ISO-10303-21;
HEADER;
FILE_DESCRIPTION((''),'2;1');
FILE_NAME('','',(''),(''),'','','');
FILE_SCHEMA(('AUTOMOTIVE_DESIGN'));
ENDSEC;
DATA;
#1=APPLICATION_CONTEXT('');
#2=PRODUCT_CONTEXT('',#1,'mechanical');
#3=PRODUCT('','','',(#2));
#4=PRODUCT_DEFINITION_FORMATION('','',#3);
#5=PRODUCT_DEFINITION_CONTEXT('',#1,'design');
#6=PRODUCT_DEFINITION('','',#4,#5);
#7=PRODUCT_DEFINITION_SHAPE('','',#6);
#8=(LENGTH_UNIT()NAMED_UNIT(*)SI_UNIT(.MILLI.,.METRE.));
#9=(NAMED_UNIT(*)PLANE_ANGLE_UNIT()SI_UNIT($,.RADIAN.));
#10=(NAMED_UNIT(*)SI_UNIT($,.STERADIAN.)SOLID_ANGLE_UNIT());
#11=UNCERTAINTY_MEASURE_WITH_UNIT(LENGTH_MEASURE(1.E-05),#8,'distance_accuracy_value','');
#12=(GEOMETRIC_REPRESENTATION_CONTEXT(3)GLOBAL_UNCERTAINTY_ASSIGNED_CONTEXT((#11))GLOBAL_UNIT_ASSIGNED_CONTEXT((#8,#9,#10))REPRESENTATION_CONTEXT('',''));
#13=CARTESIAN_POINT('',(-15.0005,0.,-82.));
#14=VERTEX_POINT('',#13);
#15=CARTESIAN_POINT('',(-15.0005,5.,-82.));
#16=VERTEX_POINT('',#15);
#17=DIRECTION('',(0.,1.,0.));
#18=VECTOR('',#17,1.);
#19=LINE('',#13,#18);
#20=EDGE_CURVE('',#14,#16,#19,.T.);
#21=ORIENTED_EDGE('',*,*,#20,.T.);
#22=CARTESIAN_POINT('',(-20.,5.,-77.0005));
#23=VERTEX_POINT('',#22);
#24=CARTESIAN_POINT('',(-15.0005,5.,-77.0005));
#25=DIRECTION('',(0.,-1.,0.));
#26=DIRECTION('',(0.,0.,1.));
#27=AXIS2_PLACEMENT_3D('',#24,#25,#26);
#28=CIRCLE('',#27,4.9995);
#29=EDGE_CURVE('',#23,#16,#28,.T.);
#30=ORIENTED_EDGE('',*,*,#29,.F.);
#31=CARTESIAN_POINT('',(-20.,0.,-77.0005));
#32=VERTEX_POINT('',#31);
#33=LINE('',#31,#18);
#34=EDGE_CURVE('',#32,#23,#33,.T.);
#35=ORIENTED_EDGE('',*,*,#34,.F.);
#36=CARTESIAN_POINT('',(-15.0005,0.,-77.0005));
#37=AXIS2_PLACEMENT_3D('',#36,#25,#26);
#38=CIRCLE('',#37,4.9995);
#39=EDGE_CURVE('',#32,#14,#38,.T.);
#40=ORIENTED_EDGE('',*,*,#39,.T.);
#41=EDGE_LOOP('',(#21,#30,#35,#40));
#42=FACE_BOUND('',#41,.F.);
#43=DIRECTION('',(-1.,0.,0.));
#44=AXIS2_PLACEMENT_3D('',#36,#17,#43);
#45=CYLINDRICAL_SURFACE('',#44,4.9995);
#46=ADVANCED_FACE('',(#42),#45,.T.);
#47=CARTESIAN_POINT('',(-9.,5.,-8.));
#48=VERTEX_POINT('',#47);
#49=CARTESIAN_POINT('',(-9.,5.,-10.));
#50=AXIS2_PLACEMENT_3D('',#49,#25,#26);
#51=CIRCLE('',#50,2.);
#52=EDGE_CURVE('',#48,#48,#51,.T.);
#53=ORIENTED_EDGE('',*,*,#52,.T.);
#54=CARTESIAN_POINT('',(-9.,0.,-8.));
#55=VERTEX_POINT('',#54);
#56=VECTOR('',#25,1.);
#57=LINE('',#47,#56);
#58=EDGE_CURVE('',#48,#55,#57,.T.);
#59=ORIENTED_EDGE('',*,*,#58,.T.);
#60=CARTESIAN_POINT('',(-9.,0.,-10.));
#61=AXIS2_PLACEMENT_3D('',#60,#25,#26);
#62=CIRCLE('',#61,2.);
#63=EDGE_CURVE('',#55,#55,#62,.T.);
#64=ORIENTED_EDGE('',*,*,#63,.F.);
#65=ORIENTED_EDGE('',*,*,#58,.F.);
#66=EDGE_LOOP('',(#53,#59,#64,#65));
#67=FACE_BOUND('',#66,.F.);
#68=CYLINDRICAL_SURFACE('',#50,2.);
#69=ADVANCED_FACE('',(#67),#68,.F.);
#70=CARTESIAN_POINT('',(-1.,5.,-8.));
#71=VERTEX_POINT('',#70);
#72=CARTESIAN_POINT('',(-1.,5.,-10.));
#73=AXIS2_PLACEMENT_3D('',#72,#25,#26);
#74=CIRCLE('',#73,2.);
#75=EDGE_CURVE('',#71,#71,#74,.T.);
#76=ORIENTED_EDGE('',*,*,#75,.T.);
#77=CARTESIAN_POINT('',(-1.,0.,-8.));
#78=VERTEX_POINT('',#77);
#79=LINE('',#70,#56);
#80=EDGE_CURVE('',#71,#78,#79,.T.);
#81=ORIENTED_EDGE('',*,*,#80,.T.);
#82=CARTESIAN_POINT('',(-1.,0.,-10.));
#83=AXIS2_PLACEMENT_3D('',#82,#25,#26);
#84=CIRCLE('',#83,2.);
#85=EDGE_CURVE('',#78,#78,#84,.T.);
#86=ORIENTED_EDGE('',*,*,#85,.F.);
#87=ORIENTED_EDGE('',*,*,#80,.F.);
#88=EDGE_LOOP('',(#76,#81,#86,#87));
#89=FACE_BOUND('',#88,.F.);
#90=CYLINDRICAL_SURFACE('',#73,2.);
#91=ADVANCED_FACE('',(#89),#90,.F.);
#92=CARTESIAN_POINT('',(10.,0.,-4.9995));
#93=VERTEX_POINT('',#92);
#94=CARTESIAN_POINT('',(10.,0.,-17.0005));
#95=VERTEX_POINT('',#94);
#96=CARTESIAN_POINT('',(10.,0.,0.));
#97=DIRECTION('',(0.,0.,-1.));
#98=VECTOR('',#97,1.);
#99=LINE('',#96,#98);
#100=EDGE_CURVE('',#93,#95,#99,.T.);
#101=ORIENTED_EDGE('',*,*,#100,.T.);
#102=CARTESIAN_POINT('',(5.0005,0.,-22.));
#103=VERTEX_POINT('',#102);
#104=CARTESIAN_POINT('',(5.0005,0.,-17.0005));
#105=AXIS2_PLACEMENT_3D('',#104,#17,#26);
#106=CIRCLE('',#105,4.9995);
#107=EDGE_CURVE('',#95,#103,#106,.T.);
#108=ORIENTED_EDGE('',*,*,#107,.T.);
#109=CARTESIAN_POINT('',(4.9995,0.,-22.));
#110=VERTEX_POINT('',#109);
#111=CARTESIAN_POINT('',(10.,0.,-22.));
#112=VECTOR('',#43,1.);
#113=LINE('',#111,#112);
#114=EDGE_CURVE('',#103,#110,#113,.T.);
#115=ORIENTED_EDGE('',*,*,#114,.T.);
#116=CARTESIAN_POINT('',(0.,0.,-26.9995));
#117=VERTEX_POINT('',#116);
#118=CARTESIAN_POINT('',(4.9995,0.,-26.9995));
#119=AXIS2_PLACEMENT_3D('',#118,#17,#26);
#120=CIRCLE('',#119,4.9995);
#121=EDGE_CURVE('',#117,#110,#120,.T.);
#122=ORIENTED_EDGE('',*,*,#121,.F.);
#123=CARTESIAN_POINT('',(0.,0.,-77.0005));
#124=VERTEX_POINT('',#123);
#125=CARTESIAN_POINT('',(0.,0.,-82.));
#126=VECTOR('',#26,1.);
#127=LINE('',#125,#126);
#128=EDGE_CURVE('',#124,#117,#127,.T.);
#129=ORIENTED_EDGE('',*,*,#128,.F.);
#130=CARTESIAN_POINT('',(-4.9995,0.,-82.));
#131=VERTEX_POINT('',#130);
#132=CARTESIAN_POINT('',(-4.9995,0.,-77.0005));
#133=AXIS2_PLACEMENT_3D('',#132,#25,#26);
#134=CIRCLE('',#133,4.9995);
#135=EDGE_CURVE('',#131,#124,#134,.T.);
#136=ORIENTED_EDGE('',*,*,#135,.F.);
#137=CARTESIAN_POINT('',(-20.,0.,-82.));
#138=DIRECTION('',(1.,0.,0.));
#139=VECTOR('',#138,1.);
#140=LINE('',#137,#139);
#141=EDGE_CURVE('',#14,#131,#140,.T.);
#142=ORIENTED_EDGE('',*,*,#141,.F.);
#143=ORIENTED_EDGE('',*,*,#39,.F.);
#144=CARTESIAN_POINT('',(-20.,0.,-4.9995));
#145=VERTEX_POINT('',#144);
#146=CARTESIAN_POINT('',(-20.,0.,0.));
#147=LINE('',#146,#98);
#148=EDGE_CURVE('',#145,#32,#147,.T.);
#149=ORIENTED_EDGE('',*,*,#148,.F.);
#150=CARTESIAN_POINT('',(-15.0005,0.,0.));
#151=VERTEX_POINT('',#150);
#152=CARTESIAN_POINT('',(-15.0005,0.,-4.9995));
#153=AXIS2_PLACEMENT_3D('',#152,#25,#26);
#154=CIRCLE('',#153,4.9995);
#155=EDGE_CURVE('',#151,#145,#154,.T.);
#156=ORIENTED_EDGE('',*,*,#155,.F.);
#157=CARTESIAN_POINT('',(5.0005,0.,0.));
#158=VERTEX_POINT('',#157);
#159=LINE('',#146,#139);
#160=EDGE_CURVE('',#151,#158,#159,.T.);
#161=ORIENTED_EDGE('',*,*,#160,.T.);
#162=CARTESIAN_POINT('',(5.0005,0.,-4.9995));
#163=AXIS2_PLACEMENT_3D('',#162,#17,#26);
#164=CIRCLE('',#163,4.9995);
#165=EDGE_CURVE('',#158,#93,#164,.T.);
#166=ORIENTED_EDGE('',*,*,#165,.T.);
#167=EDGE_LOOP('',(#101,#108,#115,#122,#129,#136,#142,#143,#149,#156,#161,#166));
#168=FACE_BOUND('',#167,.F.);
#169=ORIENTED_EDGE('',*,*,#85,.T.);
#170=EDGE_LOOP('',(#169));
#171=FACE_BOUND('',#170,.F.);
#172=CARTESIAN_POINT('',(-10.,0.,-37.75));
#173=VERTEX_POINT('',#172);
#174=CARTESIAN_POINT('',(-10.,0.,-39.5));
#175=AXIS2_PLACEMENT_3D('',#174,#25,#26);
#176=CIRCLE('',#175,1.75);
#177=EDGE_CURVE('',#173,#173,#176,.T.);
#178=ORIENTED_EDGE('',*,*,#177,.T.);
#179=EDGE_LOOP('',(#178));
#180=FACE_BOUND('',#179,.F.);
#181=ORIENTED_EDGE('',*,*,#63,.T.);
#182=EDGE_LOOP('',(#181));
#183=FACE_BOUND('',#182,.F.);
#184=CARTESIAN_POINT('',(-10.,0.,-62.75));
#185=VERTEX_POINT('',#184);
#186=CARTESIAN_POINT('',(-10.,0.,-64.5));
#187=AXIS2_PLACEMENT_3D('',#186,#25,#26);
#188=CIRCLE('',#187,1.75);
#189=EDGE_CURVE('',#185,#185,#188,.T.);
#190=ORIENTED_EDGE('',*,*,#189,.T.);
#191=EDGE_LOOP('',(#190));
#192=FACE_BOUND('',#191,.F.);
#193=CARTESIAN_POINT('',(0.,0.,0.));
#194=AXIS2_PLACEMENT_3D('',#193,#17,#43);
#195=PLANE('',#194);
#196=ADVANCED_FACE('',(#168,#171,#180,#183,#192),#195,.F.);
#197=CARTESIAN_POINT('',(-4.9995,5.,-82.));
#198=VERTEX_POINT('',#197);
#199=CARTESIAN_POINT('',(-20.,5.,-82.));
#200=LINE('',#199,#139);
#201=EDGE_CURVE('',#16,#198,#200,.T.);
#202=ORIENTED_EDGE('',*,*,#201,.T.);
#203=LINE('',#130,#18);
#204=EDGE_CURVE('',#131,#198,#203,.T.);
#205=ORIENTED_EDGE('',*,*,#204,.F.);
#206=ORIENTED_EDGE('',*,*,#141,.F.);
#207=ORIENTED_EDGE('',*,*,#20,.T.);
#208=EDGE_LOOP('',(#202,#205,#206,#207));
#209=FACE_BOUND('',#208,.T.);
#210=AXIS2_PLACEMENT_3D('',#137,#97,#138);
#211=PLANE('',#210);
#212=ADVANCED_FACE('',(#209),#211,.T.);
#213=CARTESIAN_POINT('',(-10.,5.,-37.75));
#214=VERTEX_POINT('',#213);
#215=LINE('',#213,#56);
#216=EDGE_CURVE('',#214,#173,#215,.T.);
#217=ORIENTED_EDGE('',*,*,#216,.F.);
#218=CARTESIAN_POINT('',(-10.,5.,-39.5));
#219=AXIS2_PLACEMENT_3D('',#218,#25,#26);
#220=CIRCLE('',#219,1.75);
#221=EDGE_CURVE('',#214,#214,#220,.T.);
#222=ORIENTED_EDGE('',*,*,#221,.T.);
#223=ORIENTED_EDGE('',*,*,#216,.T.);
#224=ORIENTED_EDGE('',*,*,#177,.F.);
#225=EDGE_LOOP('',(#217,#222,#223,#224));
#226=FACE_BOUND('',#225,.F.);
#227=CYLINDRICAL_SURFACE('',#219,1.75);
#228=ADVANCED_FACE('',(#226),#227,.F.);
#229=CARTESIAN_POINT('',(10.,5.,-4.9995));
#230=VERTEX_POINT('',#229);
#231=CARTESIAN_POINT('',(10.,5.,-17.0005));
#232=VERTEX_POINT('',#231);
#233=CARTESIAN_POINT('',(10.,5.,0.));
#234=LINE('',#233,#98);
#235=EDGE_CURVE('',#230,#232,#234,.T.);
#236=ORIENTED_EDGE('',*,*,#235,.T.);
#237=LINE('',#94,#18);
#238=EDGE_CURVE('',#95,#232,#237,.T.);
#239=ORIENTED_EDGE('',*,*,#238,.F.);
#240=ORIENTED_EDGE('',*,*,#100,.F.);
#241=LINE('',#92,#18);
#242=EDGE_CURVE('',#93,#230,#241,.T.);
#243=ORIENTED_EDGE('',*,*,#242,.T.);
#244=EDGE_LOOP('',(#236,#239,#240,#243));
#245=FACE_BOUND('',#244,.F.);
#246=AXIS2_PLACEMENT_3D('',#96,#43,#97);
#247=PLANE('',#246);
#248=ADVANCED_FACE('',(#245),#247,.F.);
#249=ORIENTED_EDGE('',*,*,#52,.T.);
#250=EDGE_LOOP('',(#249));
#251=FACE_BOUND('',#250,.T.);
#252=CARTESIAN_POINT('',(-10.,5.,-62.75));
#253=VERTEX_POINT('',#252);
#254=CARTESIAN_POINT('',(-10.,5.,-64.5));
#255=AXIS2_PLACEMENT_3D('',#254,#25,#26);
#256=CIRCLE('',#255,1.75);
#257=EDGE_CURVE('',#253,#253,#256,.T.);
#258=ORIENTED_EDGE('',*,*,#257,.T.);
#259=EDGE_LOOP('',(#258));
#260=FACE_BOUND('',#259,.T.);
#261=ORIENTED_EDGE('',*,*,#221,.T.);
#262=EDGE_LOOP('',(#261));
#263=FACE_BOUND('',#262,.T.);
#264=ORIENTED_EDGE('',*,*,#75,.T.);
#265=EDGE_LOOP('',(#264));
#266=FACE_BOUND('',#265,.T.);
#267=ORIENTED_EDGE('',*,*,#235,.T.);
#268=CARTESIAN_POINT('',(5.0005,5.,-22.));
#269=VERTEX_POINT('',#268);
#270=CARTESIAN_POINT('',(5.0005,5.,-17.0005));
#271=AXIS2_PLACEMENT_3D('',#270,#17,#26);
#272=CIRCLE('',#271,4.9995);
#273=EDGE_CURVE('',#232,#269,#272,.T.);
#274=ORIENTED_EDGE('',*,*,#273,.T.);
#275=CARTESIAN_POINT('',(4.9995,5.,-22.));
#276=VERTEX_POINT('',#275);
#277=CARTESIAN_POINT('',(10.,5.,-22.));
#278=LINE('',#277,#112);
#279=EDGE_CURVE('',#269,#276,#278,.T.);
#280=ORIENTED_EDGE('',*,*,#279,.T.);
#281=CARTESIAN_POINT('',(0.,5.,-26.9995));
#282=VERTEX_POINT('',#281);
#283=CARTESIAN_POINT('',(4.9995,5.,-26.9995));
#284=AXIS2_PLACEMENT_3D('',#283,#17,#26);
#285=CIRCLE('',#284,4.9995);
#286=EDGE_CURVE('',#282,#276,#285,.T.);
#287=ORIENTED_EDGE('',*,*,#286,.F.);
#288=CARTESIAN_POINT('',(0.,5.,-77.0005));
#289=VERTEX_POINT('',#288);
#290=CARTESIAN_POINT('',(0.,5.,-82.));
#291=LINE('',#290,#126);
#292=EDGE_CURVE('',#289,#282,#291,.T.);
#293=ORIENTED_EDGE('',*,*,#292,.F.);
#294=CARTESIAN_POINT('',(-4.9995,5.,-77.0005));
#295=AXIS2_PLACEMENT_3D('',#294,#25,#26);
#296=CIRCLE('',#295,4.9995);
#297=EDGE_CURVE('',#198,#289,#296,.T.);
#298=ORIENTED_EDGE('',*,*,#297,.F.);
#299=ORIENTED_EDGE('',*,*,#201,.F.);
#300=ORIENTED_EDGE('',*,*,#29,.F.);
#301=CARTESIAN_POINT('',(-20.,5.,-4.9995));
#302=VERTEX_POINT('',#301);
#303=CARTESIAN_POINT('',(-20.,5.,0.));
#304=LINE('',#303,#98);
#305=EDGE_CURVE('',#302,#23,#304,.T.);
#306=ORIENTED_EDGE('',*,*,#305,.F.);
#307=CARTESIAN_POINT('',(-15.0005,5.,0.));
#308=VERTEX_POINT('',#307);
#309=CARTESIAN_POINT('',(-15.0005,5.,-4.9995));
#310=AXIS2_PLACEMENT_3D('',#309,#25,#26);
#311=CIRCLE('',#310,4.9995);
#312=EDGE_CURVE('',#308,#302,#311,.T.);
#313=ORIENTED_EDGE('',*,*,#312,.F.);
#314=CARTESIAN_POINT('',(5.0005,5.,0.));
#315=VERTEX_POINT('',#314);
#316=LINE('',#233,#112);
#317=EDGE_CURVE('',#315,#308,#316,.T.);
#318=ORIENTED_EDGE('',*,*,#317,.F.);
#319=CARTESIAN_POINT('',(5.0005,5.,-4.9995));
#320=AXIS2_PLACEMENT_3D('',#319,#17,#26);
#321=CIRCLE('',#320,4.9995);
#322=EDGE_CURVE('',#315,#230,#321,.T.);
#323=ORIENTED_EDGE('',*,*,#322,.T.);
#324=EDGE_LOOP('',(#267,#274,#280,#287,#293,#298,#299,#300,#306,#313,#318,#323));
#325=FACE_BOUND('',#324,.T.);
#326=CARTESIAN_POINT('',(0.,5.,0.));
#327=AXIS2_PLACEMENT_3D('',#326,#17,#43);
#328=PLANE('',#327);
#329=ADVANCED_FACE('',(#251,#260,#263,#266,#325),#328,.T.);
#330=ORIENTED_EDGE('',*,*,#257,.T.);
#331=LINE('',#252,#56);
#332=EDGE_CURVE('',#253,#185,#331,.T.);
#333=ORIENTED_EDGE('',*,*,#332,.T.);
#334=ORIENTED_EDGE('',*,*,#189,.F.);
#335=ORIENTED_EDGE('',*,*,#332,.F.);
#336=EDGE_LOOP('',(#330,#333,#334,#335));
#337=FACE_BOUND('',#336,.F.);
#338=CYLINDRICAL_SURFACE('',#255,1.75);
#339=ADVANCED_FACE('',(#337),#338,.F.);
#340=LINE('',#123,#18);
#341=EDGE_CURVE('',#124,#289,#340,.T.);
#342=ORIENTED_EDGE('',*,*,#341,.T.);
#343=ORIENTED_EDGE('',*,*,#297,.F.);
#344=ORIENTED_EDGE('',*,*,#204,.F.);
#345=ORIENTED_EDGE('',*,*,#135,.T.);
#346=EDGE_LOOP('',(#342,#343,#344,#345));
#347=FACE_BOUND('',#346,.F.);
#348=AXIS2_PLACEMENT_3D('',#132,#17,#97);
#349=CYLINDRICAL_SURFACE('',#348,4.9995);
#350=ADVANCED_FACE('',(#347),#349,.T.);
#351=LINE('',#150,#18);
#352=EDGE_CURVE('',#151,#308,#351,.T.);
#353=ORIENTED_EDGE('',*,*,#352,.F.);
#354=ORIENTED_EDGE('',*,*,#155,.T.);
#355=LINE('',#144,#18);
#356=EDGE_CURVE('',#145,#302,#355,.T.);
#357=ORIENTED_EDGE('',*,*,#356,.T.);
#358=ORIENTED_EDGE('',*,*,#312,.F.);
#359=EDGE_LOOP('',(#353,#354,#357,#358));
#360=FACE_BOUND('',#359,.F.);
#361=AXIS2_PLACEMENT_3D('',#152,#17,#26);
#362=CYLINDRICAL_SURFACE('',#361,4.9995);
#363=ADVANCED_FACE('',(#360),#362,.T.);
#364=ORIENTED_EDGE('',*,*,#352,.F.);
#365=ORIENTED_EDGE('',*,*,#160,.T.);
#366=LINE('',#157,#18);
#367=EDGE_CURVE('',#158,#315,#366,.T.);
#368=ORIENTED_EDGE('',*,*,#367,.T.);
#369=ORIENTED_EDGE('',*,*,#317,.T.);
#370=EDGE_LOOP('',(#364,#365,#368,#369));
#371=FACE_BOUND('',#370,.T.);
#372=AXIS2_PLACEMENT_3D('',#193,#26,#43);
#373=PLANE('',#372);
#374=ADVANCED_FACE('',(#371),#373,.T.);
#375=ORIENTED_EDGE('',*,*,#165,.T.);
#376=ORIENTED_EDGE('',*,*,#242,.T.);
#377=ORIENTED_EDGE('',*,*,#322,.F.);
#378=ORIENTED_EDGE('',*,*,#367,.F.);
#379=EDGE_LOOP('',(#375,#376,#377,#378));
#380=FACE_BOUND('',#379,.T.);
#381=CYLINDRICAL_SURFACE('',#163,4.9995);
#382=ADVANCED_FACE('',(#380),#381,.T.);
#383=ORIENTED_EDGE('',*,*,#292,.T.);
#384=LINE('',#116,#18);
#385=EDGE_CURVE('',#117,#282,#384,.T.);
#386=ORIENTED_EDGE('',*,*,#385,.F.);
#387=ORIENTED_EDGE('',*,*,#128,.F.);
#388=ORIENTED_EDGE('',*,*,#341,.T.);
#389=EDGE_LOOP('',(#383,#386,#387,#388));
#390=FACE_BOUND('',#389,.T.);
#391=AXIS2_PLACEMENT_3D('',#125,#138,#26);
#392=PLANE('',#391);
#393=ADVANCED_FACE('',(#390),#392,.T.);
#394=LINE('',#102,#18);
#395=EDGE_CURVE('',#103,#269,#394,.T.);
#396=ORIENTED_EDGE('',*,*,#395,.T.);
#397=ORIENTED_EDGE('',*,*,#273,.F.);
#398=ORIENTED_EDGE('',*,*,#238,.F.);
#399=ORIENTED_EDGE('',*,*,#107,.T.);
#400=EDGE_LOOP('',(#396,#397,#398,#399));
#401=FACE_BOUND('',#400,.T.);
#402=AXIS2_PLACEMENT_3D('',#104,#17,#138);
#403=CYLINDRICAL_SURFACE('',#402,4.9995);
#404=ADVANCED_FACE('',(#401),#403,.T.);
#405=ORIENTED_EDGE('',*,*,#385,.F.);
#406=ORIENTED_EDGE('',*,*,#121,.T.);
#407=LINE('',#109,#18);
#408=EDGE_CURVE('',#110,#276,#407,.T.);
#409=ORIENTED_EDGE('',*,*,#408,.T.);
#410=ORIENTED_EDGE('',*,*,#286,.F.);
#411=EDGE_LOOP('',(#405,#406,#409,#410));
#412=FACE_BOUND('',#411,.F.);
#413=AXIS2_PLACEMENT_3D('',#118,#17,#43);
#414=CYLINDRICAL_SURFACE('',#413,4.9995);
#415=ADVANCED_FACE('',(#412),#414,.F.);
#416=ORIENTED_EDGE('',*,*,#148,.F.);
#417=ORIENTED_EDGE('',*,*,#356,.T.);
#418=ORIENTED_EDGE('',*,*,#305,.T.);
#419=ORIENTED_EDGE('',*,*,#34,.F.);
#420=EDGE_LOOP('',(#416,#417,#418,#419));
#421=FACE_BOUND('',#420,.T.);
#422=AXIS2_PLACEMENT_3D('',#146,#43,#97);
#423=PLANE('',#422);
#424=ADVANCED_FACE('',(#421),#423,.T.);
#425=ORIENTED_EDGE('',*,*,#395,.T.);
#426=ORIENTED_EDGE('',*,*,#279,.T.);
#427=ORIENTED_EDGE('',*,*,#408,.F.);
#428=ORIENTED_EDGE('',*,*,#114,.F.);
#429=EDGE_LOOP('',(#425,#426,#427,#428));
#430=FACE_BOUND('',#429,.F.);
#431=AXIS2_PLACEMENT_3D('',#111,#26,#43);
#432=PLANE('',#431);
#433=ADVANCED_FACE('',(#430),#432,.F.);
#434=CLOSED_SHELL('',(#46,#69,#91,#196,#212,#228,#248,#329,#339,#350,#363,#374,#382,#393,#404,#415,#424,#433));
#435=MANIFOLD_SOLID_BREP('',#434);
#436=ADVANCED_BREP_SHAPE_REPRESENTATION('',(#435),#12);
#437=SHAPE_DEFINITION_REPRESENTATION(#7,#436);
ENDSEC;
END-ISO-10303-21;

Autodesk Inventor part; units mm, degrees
ref_plane "YZ Plane" through (0, 0, 0) normal (1, 0, 0) x (0, 1, 0)
ref_plane "XZ Plane" through (0, 0, 0) normal (0, 1, 0) x (-1, 0, 0)
ref_plane "XY Plane" through (0, 0, 0) normal (0, 0, 1) x (1, 0, 0)
sketch "Sketch1" plane through (0, 0, 0) normal (0, 1, 0) x (-1, 0, 0)
  line L0 (0, 0) -> (20, 0)
  line L1 (20, 0) -> (20, -82)
  line L2 (20, -82) -> (0, -82)
  line L3 (0, -82) -> (0, 0)
  line L4 (0, 0) -> (-10, 0)
  line L5 (-10, 0) -> (-10, -22)
  line L6 (-10, -22) -> (0, -22)
  line L7 (0, -22) -> (0, 0)
  point P0 (0, -22)
  dimension "d0" = 20
  dimension "d1" = 82
  dimension "d12" = 22
  dimension "d13" = 10
extrude "Extrusion1" add sketch "Sketch1" along normal blind 5
fillet "Fillet1" radius 5 6 edges at (0, 2.5, -82) (-20, 2.5, -82) (-20, 2.5, 0) (10, 2.5, 0) (0, 2.5, -22) (10, 2.5, -22)
sketch "Sketch3" plane through (0, 5, 0) normal (0, 1, 0) x (1, 0, 0)
  line L0 (-24.763, 10) -> (25.9614, 10)
  line L1 (-15, 0) -> (5, 0) projected
  circle A0 centre (-9, 10) radius 2
  circle A1 centre (-1, 10) radius 2
  line L2 (-20, 77) -> (-20, 5) projected
  point P0 (0, 0)
  dimension "d14" = 10
  dimension "d15" = 4
  dimension "d16" = 4
  dimension "d17" = 8
  dimension "d18" = 11
hole "Hole2" at (-9, 5, -10) at (-1, 5, -10) direction (0, -1, 0) diameter 4 end through all
sketch "Sketch4" plane through (0, 5, 0) normal (0, 1, 0) x (1, 0, 0)
  circle A0 centre (-10, 64.5) radius 1.5 projected
  circle A1 centre (-10, 39.5) radius 1.5 projected
  point P0 (0, 0)
hole "Hole3" at (-10, 5, -64.5) at (-10, 5, -39.5) direction (0, -1, 0) diameter 3.5 end through all
equation "\"d16\" = d15"
equation "\"d19\" = d15"
properties part number "X-Kettenhalter2"
